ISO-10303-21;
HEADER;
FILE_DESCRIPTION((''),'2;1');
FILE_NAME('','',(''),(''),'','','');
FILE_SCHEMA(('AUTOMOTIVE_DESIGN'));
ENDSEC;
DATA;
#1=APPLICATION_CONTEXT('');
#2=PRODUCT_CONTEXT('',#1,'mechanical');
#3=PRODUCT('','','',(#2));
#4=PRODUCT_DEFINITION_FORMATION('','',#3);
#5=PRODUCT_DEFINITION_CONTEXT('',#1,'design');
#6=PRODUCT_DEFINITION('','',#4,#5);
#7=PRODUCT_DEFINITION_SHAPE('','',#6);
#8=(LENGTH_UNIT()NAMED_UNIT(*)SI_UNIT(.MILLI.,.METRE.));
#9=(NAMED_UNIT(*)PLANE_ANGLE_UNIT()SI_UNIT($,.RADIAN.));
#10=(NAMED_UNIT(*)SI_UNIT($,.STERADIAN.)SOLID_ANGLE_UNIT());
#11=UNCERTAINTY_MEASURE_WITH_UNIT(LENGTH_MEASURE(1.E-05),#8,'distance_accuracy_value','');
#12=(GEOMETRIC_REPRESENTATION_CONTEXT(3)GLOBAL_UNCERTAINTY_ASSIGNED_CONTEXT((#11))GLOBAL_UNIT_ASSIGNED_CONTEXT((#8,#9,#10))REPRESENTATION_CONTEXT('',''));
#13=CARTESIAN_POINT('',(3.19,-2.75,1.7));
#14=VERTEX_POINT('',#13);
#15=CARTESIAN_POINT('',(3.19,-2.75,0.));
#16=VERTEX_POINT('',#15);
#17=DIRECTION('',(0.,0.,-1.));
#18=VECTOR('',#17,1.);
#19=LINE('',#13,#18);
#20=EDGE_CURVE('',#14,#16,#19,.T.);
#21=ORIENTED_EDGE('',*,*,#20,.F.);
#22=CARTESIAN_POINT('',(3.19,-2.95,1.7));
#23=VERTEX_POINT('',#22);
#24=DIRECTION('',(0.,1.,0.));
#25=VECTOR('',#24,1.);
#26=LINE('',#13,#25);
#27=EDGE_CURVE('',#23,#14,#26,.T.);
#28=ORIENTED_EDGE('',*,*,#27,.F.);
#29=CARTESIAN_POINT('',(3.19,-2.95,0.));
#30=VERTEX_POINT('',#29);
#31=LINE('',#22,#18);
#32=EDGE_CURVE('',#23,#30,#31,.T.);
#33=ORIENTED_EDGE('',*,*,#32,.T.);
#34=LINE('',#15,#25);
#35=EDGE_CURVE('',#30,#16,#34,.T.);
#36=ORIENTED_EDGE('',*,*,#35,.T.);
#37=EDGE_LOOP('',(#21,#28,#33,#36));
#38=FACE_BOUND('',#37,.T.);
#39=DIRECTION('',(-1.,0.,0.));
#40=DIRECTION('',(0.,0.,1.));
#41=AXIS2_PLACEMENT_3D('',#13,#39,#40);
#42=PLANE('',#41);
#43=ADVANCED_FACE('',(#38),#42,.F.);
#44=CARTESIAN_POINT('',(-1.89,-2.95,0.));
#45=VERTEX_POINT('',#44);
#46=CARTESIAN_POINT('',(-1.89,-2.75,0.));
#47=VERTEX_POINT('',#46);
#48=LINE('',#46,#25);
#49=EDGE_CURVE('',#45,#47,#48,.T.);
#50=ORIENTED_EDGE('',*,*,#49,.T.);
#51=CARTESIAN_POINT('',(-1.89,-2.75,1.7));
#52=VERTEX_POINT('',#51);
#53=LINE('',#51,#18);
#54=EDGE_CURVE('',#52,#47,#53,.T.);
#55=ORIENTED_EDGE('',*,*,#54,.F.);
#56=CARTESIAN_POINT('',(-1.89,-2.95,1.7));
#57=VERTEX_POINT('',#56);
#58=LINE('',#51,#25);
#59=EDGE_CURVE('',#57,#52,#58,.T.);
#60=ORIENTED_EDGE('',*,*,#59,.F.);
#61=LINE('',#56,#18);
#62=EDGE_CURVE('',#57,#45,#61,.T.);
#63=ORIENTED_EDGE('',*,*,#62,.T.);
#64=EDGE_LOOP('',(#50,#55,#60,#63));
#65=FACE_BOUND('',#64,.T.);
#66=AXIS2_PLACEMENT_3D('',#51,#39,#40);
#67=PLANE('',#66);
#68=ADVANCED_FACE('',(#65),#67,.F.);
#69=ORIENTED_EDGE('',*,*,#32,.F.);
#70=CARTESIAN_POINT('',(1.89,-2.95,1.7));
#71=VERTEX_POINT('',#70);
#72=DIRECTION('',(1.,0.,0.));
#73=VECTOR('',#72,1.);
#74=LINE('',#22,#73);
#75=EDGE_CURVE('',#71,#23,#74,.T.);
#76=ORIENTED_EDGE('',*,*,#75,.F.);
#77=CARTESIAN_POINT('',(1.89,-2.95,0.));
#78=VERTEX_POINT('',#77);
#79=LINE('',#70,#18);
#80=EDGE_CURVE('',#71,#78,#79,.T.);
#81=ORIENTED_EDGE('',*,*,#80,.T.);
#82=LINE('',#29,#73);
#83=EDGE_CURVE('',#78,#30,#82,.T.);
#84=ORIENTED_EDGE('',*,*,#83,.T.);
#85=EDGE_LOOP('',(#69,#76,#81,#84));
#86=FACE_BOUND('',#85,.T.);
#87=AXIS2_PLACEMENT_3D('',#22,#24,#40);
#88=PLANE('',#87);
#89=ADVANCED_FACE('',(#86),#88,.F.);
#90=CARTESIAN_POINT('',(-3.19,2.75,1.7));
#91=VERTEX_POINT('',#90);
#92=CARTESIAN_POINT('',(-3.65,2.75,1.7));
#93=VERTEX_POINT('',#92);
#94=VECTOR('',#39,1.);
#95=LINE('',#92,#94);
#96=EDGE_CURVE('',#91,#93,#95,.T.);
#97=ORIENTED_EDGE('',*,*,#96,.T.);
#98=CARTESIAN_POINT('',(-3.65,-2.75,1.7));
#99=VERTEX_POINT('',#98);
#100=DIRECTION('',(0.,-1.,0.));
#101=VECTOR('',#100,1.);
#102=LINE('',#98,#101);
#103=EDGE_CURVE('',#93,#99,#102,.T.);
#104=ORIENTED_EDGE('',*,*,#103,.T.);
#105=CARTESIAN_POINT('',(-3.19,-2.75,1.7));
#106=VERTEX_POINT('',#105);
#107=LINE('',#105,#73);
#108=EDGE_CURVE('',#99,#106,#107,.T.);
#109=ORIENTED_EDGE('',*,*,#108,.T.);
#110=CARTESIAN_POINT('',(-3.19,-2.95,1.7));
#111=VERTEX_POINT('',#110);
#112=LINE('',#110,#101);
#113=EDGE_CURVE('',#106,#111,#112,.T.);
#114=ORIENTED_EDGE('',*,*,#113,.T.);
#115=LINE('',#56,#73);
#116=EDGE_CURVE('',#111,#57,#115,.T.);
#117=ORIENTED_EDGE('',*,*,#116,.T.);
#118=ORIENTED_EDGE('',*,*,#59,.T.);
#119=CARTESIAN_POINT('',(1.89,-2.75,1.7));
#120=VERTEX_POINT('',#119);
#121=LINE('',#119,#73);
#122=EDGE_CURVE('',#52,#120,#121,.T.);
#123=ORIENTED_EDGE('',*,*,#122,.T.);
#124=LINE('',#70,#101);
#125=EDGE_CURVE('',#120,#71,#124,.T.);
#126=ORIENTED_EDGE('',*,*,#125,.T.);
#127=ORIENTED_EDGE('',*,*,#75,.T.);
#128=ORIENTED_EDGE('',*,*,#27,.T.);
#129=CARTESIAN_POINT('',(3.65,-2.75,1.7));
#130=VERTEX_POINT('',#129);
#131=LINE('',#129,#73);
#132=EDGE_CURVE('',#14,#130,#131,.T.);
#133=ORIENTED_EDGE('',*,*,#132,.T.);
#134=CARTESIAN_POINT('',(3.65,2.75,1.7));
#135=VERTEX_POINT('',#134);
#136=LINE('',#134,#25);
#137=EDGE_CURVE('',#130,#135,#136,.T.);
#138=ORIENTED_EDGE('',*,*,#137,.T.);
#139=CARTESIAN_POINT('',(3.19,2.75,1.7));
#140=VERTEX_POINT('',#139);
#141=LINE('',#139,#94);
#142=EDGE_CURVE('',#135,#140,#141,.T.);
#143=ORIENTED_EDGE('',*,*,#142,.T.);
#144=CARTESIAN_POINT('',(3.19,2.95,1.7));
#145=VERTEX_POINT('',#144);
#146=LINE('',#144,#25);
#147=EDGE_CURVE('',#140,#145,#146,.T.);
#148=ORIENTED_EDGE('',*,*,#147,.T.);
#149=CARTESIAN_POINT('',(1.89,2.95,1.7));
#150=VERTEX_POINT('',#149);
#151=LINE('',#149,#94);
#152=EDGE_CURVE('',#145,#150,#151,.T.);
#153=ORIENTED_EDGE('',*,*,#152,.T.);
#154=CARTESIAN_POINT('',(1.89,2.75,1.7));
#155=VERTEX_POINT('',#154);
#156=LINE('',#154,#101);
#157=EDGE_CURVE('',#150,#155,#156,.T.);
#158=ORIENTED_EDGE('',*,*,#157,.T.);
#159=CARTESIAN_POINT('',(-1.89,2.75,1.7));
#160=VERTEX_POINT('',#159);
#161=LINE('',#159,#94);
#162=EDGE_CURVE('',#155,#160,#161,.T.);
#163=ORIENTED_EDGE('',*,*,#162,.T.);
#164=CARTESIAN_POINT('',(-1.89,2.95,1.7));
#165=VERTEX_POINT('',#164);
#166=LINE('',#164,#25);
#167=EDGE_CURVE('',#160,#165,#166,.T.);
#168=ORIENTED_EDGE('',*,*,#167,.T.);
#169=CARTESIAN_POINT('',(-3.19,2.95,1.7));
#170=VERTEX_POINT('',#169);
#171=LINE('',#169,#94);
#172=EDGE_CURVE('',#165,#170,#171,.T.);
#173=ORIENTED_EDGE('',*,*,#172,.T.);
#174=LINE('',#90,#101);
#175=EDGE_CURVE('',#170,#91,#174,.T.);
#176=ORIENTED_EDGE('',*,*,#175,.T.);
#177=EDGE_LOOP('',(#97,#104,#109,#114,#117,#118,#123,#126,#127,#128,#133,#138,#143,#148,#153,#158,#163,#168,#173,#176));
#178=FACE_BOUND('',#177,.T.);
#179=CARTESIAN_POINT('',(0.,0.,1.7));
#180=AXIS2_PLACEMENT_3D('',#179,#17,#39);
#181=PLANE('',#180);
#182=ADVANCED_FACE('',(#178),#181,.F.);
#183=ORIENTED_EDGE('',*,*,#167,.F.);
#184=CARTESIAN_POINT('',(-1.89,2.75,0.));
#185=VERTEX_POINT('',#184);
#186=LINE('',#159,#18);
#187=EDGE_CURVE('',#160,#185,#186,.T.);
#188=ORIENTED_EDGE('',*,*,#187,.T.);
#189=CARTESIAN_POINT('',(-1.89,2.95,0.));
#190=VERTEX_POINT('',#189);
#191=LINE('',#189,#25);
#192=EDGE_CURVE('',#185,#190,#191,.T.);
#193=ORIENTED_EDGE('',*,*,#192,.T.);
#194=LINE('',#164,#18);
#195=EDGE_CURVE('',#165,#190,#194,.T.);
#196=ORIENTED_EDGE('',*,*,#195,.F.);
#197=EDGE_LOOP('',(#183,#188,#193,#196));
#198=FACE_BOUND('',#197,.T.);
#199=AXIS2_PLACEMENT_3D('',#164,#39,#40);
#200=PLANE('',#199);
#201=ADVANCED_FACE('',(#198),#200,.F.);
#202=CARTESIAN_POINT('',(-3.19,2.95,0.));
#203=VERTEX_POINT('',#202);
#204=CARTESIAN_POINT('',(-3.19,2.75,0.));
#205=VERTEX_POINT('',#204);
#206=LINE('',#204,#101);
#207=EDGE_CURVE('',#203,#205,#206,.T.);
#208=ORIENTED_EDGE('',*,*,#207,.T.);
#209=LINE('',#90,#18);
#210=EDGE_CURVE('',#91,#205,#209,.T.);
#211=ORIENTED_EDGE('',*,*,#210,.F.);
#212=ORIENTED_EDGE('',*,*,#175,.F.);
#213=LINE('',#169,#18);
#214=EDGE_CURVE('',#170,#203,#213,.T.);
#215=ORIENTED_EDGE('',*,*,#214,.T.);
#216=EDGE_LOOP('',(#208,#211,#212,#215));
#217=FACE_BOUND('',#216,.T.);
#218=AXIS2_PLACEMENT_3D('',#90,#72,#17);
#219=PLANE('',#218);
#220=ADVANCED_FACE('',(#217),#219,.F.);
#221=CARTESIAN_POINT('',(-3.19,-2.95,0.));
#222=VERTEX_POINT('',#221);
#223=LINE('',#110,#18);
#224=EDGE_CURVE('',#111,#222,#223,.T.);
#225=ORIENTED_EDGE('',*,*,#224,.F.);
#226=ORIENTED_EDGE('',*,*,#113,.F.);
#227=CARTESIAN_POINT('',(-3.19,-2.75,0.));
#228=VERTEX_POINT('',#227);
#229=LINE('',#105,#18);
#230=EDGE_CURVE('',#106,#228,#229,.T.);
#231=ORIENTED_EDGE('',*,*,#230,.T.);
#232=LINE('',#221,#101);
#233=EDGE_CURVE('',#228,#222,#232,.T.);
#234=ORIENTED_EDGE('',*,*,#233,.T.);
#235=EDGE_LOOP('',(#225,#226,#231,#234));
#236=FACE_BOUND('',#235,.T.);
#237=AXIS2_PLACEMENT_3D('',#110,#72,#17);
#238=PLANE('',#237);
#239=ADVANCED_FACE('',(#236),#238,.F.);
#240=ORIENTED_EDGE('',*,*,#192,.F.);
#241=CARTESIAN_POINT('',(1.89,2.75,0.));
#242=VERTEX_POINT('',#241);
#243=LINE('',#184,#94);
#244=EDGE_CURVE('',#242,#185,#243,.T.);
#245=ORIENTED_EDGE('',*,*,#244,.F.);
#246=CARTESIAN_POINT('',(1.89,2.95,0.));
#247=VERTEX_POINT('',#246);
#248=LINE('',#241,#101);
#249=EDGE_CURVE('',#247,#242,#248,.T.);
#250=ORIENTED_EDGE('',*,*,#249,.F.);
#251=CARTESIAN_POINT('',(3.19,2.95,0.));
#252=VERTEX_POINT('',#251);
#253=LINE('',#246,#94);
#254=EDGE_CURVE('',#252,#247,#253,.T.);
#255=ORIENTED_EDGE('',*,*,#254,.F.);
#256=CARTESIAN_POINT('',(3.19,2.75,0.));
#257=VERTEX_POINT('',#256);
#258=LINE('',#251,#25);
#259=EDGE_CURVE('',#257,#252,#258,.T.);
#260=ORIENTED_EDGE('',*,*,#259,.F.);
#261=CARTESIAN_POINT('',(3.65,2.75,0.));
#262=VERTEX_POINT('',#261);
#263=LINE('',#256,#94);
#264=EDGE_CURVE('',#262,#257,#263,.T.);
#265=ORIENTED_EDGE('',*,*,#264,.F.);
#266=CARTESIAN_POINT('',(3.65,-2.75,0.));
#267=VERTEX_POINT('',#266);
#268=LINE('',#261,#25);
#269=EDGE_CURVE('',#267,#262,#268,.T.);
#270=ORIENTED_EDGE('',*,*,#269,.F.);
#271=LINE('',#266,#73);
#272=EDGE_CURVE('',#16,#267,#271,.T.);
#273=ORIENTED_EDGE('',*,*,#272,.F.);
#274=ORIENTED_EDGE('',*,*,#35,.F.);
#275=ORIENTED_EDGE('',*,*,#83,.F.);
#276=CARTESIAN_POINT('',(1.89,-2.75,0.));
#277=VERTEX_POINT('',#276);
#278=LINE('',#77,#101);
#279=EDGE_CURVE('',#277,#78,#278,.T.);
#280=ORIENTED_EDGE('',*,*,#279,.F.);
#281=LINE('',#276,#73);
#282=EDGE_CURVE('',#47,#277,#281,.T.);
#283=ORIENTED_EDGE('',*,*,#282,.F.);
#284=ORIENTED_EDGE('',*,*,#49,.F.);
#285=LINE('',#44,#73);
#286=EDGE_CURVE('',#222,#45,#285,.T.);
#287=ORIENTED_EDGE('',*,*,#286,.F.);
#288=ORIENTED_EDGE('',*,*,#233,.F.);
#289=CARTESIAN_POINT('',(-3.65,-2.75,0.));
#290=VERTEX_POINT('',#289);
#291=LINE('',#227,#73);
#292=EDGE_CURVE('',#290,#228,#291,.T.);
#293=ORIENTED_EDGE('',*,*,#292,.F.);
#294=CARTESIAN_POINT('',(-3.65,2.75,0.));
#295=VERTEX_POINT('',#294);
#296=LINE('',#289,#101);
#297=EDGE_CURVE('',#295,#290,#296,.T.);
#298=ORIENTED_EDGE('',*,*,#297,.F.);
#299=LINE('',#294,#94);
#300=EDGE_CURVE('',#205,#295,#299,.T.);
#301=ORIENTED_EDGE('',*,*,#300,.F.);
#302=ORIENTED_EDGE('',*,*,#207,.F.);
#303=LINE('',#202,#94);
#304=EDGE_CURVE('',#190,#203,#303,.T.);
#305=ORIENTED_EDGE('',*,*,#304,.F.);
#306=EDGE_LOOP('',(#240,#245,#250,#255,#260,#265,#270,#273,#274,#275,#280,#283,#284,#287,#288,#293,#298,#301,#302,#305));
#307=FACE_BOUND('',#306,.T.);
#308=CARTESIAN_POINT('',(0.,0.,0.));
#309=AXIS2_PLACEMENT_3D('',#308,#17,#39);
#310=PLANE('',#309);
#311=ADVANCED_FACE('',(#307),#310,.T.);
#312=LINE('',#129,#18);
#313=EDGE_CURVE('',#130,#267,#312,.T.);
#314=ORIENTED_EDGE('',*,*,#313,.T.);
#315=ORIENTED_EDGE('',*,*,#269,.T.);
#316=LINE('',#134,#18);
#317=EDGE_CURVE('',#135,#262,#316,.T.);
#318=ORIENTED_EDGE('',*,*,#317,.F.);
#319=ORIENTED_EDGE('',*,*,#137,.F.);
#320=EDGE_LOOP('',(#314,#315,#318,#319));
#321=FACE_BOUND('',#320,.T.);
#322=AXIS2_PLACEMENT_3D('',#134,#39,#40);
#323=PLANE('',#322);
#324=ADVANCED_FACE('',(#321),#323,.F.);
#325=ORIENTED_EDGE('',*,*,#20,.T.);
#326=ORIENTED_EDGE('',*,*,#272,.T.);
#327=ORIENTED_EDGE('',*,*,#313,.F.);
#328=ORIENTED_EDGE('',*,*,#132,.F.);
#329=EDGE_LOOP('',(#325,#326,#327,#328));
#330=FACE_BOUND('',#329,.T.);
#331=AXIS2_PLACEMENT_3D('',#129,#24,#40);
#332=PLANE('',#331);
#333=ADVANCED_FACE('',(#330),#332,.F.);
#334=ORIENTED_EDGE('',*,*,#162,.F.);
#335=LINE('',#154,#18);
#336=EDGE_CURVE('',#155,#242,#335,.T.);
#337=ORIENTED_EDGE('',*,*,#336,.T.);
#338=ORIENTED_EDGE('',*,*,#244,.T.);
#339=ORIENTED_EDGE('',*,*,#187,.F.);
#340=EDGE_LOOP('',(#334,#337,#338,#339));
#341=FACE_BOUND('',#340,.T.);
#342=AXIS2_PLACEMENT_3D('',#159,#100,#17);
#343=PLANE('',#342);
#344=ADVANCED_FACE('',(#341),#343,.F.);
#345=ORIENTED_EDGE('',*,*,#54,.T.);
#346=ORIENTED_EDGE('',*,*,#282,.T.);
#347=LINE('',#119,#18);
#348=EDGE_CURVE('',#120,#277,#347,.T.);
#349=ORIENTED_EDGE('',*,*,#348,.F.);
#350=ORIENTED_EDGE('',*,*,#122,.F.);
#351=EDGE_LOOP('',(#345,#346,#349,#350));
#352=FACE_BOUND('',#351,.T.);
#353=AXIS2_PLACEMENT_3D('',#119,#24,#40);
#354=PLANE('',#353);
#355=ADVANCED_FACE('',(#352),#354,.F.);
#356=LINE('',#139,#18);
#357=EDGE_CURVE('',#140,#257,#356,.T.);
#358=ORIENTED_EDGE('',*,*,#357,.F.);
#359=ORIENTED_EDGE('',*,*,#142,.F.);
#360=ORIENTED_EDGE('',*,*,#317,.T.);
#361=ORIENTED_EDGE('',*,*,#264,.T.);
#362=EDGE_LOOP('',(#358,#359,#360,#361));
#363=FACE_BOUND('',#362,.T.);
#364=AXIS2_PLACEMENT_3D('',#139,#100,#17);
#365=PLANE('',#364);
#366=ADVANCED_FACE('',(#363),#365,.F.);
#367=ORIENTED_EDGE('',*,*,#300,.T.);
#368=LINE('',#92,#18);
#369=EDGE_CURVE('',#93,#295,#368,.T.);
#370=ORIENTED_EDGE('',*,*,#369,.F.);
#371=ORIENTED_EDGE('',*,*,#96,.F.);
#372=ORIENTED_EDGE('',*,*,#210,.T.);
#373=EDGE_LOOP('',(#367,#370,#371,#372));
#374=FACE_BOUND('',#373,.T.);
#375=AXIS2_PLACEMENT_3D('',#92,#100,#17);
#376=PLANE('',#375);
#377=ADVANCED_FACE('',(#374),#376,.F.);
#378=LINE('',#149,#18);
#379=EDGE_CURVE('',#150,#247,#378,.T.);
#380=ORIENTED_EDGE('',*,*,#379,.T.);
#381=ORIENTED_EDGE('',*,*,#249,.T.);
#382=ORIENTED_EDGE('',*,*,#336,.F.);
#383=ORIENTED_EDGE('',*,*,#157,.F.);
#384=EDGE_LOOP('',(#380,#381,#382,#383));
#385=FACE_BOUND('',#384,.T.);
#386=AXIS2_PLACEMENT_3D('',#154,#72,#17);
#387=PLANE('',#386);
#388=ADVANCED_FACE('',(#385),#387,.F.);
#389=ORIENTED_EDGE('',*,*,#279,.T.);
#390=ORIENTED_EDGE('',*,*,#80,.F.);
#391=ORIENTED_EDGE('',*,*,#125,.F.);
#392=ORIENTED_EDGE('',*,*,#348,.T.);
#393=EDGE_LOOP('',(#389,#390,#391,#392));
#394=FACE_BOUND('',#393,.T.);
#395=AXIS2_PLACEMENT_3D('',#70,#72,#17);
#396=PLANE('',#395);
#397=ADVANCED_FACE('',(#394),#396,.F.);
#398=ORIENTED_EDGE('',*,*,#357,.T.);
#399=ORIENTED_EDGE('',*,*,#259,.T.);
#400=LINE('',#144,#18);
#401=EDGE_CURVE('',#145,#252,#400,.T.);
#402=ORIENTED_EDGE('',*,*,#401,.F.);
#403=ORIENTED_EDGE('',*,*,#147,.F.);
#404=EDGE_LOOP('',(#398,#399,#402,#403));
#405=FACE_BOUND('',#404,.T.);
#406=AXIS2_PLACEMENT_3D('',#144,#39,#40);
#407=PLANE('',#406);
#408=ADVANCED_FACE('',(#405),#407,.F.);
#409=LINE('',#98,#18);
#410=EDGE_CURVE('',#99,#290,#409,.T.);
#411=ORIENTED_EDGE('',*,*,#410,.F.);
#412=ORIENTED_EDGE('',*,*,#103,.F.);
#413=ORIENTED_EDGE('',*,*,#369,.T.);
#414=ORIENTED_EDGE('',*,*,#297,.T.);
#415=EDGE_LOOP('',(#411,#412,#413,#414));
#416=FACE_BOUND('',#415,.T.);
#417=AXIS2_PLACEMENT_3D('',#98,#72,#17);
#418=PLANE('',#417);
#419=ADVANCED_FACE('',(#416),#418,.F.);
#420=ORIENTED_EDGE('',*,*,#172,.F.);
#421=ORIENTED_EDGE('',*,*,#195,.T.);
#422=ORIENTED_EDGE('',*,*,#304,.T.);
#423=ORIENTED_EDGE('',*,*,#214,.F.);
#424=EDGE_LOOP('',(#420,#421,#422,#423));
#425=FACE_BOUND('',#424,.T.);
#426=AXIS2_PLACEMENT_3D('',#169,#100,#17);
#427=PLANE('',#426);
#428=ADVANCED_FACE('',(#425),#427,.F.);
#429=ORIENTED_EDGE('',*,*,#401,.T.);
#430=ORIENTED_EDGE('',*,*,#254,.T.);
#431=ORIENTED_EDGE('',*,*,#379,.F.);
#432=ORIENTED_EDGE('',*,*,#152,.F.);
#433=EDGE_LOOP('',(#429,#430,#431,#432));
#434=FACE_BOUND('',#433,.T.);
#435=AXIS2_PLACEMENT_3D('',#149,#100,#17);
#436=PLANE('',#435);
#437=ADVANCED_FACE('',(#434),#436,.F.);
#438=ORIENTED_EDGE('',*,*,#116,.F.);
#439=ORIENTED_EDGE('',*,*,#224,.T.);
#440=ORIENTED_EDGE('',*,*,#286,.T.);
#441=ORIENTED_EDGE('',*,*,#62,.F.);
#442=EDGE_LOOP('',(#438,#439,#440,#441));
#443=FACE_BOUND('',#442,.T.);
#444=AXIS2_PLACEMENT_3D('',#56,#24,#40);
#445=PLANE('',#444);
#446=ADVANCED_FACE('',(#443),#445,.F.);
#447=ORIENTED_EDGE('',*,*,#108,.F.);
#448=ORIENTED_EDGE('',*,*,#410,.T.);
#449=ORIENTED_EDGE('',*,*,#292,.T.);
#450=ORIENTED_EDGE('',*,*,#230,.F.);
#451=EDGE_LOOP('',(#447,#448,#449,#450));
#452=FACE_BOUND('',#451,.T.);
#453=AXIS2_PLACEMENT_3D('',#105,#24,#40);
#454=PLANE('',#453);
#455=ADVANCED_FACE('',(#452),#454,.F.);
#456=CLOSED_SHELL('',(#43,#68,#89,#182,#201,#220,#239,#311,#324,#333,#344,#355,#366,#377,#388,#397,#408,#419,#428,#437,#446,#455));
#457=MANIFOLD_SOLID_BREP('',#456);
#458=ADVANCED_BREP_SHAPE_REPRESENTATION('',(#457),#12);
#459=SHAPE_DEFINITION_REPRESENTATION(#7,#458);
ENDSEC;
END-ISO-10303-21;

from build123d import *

# Parameters (mm, degrees)
COMPONENT_OUTLINE_DEPTH = 1.7


with BuildPart() as part:
    # 草图1 → Component_Outline (new body)
    with BuildSketch(Plane.XY):
        Polygon((3.19, 2.95), (3.19, 2.75), (3.65, 2.75), (3.65, -2.75), (3.19, -2.75), (3.19, -2.95), (1.89, -2.95), (1.89, -2.75), (-1.89, -2.75), (-1.89, -2.95), (-3.19, -2.95), (-3.19, -2.75), (-3.65, -2.75), (-3.65, 2.75), (-3.19, 2.75), (-3.19, 2.95), (-1.89, 2.95), (-1.89, 2.75), (1.89, 2.75), (1.89, 2.95), align=None)
    extrude(amount=COMPONENT_OUTLINE_DEPTH)


solid = part.part
